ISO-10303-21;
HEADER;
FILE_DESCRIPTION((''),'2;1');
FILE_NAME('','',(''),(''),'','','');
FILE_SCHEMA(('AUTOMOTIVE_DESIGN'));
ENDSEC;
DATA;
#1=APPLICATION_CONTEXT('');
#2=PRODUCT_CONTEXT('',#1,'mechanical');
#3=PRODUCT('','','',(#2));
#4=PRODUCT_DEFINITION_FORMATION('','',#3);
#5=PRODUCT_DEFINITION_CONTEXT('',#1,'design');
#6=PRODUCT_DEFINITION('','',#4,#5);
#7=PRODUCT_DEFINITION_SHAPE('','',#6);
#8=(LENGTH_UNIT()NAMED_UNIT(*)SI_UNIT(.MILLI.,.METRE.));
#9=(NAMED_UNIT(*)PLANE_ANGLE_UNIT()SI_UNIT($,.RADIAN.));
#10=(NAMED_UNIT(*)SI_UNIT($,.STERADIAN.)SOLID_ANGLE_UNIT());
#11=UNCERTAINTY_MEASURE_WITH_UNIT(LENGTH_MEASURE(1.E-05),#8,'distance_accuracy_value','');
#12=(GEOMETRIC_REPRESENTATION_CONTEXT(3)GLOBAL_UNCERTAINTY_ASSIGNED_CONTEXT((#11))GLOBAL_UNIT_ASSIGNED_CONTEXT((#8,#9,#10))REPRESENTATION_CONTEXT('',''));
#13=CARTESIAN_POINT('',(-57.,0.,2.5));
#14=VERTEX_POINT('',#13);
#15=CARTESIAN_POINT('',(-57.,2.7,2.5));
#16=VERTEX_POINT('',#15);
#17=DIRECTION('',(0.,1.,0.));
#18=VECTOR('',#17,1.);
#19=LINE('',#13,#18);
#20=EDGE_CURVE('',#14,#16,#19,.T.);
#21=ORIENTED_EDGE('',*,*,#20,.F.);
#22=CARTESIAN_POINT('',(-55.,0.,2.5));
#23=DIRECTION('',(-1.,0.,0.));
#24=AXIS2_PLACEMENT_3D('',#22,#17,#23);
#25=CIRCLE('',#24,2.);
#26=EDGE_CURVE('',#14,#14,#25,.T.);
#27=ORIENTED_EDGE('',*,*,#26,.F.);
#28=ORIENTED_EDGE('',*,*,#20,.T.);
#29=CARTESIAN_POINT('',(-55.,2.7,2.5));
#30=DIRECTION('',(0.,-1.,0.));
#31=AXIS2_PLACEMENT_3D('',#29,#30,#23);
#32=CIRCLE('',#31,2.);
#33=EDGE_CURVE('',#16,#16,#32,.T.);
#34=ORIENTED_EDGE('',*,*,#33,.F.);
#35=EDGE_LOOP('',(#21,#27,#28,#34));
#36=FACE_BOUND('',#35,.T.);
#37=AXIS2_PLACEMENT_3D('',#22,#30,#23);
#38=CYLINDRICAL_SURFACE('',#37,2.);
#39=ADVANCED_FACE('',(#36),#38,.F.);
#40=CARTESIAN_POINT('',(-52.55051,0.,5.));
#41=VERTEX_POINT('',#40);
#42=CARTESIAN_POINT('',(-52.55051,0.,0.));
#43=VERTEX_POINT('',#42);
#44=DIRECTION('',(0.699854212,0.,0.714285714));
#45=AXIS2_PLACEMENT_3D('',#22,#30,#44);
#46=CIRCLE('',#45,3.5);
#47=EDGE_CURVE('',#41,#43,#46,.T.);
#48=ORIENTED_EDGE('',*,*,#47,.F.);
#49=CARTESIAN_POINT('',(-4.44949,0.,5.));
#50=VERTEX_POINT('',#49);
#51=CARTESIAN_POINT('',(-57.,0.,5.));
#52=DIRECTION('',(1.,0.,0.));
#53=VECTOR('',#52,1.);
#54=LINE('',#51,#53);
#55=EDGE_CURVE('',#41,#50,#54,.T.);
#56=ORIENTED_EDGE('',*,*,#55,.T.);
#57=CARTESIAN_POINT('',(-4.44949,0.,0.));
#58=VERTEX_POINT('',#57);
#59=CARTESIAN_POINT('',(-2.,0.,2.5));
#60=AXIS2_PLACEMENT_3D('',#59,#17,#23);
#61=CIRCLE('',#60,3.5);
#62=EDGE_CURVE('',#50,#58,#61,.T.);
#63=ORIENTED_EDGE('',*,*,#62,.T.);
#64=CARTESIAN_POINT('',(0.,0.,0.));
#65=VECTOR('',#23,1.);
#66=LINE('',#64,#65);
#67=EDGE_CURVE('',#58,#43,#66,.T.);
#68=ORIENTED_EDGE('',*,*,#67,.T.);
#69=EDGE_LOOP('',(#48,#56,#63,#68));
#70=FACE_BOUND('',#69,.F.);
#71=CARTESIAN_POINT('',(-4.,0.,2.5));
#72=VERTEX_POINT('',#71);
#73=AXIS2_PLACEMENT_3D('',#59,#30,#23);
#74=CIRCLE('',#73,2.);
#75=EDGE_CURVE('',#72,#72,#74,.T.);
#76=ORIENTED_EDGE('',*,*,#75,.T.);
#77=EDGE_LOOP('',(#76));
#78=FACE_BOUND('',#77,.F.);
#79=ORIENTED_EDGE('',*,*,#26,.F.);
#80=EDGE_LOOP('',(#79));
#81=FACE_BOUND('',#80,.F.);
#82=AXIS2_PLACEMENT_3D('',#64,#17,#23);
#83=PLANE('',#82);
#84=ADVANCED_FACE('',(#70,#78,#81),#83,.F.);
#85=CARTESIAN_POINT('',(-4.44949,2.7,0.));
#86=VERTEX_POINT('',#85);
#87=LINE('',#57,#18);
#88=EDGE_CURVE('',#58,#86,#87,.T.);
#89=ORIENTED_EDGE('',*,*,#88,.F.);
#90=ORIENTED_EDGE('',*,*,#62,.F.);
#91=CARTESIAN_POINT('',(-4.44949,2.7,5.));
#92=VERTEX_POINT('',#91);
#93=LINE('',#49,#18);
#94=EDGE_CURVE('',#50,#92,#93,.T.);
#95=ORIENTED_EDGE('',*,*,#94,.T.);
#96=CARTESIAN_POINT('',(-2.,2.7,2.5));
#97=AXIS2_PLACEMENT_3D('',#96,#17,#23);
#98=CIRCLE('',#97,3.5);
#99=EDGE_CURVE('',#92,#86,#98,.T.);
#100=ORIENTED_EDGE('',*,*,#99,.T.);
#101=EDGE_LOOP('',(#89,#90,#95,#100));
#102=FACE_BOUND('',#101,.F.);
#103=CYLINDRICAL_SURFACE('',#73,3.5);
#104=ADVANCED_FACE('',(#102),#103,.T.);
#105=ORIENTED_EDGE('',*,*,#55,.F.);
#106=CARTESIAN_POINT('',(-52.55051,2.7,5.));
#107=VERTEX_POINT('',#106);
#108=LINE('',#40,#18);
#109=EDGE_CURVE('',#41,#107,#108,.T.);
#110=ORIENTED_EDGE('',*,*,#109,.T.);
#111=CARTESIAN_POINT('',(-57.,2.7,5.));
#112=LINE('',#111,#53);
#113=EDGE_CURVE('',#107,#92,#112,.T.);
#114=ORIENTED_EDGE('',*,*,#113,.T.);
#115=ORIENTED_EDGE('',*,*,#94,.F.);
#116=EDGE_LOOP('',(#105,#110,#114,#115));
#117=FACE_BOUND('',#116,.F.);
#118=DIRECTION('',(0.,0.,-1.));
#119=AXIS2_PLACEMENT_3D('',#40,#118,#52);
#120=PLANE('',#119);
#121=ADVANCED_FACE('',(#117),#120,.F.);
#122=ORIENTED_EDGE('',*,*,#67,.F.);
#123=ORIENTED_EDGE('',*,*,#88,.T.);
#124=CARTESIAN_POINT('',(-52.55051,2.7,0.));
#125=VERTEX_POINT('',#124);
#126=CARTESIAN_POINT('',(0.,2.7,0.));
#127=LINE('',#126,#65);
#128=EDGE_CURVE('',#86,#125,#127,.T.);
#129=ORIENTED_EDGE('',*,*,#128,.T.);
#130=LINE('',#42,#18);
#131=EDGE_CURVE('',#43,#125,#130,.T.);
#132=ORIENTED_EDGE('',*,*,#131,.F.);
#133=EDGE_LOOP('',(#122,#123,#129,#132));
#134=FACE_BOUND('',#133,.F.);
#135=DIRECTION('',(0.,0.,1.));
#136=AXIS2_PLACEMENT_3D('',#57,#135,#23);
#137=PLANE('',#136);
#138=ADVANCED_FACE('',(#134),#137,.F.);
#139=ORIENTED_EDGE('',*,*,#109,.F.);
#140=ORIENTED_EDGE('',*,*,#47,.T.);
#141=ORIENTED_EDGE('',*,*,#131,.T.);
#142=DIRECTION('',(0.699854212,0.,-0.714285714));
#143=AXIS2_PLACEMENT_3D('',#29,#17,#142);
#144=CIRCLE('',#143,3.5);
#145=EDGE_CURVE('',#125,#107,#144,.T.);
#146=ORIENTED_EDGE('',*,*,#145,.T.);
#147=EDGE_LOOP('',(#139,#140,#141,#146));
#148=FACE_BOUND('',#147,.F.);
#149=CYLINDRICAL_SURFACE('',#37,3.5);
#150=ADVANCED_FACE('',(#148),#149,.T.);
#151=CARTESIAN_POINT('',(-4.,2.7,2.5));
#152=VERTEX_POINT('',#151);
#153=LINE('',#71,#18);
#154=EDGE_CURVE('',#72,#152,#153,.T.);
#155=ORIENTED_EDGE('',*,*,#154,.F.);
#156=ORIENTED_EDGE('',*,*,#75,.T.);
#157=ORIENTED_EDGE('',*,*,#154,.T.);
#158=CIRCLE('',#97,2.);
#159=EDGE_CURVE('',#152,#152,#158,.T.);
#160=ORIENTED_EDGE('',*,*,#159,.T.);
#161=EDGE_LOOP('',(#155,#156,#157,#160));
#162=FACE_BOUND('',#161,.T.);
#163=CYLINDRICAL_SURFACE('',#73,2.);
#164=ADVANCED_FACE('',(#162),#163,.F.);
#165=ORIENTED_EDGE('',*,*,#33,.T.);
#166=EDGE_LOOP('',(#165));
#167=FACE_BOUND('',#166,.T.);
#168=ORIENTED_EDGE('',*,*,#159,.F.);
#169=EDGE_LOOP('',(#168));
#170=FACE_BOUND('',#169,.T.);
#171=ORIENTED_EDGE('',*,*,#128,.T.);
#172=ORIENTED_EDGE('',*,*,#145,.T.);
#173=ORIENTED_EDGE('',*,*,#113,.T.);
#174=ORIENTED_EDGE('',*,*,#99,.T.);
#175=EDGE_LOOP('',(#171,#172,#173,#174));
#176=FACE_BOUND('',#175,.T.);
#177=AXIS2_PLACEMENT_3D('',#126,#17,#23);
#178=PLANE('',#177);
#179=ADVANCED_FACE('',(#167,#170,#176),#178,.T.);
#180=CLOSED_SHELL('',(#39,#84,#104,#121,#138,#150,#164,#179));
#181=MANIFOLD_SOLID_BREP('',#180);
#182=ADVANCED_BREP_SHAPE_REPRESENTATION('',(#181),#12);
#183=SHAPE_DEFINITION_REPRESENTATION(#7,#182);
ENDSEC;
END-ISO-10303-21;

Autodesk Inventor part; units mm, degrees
ref_plane "YZ Plane" through (0, 0, 0) normal (1, 0, 0) x (0, 1, 0)
ref_plane "XZ Plane" through (0, 0, 0) normal (0, 1, 0) x (-1, 0, 0)
ref_plane "XY Plane" through (0, 0, 0) normal (0, 0, 1) x (1, 0, 0)
sketch "Sketch1" plane through (0, 0, 0) normal (0, 1, 0) x (-1, 0, 0)
  line L0 (0, 0) -> (57, 0)
  line L1 (57, 0) -> (57, 5)
  line L2 (57, 5) -> (0, 5)
  line L3 (0, 5) -> (0, 0)
  circle A0 centre (55, 2.5) radius 2
  circle A1 centre (2, 2.5) radius 2
  circle A2 centre (55, 2.5) radius 3.5
  circle A3 centre (2, 2.5) radius 3.5
  line L4 (57, 0) -> (57, 5)
  line L5 (57, 2.5) -> (0, 2.5)
  point P0 (52.5505, 0)
  point P1 (52.5505, 5)
  point P2 (4.4495, 5)
  point P3 (4.4495, 0)
  dimension "d0" = 5
  dimension "d1" = 57
  dimension "d2" = 4
  dimension "d3" = 4
  dimension "d4" = 7
  dimension "d5" = 7
extrude "Extrusion1" add sketch "Sketch1" along normal blind 2.7 contours L3 A1 L5 A3 L0 | L0 A3 L2 L3 | A3 L5 A2 L0 | L3 L2 A3 L5 A1 | A2 L5 A0 L1 L0 | L0 L1 L2 A2 | L2 A2 L5 A3 | A2 L2 L1 A0 L5
properties part number "FP V2 Batang Penggerak" material "Aluminum 6061"
